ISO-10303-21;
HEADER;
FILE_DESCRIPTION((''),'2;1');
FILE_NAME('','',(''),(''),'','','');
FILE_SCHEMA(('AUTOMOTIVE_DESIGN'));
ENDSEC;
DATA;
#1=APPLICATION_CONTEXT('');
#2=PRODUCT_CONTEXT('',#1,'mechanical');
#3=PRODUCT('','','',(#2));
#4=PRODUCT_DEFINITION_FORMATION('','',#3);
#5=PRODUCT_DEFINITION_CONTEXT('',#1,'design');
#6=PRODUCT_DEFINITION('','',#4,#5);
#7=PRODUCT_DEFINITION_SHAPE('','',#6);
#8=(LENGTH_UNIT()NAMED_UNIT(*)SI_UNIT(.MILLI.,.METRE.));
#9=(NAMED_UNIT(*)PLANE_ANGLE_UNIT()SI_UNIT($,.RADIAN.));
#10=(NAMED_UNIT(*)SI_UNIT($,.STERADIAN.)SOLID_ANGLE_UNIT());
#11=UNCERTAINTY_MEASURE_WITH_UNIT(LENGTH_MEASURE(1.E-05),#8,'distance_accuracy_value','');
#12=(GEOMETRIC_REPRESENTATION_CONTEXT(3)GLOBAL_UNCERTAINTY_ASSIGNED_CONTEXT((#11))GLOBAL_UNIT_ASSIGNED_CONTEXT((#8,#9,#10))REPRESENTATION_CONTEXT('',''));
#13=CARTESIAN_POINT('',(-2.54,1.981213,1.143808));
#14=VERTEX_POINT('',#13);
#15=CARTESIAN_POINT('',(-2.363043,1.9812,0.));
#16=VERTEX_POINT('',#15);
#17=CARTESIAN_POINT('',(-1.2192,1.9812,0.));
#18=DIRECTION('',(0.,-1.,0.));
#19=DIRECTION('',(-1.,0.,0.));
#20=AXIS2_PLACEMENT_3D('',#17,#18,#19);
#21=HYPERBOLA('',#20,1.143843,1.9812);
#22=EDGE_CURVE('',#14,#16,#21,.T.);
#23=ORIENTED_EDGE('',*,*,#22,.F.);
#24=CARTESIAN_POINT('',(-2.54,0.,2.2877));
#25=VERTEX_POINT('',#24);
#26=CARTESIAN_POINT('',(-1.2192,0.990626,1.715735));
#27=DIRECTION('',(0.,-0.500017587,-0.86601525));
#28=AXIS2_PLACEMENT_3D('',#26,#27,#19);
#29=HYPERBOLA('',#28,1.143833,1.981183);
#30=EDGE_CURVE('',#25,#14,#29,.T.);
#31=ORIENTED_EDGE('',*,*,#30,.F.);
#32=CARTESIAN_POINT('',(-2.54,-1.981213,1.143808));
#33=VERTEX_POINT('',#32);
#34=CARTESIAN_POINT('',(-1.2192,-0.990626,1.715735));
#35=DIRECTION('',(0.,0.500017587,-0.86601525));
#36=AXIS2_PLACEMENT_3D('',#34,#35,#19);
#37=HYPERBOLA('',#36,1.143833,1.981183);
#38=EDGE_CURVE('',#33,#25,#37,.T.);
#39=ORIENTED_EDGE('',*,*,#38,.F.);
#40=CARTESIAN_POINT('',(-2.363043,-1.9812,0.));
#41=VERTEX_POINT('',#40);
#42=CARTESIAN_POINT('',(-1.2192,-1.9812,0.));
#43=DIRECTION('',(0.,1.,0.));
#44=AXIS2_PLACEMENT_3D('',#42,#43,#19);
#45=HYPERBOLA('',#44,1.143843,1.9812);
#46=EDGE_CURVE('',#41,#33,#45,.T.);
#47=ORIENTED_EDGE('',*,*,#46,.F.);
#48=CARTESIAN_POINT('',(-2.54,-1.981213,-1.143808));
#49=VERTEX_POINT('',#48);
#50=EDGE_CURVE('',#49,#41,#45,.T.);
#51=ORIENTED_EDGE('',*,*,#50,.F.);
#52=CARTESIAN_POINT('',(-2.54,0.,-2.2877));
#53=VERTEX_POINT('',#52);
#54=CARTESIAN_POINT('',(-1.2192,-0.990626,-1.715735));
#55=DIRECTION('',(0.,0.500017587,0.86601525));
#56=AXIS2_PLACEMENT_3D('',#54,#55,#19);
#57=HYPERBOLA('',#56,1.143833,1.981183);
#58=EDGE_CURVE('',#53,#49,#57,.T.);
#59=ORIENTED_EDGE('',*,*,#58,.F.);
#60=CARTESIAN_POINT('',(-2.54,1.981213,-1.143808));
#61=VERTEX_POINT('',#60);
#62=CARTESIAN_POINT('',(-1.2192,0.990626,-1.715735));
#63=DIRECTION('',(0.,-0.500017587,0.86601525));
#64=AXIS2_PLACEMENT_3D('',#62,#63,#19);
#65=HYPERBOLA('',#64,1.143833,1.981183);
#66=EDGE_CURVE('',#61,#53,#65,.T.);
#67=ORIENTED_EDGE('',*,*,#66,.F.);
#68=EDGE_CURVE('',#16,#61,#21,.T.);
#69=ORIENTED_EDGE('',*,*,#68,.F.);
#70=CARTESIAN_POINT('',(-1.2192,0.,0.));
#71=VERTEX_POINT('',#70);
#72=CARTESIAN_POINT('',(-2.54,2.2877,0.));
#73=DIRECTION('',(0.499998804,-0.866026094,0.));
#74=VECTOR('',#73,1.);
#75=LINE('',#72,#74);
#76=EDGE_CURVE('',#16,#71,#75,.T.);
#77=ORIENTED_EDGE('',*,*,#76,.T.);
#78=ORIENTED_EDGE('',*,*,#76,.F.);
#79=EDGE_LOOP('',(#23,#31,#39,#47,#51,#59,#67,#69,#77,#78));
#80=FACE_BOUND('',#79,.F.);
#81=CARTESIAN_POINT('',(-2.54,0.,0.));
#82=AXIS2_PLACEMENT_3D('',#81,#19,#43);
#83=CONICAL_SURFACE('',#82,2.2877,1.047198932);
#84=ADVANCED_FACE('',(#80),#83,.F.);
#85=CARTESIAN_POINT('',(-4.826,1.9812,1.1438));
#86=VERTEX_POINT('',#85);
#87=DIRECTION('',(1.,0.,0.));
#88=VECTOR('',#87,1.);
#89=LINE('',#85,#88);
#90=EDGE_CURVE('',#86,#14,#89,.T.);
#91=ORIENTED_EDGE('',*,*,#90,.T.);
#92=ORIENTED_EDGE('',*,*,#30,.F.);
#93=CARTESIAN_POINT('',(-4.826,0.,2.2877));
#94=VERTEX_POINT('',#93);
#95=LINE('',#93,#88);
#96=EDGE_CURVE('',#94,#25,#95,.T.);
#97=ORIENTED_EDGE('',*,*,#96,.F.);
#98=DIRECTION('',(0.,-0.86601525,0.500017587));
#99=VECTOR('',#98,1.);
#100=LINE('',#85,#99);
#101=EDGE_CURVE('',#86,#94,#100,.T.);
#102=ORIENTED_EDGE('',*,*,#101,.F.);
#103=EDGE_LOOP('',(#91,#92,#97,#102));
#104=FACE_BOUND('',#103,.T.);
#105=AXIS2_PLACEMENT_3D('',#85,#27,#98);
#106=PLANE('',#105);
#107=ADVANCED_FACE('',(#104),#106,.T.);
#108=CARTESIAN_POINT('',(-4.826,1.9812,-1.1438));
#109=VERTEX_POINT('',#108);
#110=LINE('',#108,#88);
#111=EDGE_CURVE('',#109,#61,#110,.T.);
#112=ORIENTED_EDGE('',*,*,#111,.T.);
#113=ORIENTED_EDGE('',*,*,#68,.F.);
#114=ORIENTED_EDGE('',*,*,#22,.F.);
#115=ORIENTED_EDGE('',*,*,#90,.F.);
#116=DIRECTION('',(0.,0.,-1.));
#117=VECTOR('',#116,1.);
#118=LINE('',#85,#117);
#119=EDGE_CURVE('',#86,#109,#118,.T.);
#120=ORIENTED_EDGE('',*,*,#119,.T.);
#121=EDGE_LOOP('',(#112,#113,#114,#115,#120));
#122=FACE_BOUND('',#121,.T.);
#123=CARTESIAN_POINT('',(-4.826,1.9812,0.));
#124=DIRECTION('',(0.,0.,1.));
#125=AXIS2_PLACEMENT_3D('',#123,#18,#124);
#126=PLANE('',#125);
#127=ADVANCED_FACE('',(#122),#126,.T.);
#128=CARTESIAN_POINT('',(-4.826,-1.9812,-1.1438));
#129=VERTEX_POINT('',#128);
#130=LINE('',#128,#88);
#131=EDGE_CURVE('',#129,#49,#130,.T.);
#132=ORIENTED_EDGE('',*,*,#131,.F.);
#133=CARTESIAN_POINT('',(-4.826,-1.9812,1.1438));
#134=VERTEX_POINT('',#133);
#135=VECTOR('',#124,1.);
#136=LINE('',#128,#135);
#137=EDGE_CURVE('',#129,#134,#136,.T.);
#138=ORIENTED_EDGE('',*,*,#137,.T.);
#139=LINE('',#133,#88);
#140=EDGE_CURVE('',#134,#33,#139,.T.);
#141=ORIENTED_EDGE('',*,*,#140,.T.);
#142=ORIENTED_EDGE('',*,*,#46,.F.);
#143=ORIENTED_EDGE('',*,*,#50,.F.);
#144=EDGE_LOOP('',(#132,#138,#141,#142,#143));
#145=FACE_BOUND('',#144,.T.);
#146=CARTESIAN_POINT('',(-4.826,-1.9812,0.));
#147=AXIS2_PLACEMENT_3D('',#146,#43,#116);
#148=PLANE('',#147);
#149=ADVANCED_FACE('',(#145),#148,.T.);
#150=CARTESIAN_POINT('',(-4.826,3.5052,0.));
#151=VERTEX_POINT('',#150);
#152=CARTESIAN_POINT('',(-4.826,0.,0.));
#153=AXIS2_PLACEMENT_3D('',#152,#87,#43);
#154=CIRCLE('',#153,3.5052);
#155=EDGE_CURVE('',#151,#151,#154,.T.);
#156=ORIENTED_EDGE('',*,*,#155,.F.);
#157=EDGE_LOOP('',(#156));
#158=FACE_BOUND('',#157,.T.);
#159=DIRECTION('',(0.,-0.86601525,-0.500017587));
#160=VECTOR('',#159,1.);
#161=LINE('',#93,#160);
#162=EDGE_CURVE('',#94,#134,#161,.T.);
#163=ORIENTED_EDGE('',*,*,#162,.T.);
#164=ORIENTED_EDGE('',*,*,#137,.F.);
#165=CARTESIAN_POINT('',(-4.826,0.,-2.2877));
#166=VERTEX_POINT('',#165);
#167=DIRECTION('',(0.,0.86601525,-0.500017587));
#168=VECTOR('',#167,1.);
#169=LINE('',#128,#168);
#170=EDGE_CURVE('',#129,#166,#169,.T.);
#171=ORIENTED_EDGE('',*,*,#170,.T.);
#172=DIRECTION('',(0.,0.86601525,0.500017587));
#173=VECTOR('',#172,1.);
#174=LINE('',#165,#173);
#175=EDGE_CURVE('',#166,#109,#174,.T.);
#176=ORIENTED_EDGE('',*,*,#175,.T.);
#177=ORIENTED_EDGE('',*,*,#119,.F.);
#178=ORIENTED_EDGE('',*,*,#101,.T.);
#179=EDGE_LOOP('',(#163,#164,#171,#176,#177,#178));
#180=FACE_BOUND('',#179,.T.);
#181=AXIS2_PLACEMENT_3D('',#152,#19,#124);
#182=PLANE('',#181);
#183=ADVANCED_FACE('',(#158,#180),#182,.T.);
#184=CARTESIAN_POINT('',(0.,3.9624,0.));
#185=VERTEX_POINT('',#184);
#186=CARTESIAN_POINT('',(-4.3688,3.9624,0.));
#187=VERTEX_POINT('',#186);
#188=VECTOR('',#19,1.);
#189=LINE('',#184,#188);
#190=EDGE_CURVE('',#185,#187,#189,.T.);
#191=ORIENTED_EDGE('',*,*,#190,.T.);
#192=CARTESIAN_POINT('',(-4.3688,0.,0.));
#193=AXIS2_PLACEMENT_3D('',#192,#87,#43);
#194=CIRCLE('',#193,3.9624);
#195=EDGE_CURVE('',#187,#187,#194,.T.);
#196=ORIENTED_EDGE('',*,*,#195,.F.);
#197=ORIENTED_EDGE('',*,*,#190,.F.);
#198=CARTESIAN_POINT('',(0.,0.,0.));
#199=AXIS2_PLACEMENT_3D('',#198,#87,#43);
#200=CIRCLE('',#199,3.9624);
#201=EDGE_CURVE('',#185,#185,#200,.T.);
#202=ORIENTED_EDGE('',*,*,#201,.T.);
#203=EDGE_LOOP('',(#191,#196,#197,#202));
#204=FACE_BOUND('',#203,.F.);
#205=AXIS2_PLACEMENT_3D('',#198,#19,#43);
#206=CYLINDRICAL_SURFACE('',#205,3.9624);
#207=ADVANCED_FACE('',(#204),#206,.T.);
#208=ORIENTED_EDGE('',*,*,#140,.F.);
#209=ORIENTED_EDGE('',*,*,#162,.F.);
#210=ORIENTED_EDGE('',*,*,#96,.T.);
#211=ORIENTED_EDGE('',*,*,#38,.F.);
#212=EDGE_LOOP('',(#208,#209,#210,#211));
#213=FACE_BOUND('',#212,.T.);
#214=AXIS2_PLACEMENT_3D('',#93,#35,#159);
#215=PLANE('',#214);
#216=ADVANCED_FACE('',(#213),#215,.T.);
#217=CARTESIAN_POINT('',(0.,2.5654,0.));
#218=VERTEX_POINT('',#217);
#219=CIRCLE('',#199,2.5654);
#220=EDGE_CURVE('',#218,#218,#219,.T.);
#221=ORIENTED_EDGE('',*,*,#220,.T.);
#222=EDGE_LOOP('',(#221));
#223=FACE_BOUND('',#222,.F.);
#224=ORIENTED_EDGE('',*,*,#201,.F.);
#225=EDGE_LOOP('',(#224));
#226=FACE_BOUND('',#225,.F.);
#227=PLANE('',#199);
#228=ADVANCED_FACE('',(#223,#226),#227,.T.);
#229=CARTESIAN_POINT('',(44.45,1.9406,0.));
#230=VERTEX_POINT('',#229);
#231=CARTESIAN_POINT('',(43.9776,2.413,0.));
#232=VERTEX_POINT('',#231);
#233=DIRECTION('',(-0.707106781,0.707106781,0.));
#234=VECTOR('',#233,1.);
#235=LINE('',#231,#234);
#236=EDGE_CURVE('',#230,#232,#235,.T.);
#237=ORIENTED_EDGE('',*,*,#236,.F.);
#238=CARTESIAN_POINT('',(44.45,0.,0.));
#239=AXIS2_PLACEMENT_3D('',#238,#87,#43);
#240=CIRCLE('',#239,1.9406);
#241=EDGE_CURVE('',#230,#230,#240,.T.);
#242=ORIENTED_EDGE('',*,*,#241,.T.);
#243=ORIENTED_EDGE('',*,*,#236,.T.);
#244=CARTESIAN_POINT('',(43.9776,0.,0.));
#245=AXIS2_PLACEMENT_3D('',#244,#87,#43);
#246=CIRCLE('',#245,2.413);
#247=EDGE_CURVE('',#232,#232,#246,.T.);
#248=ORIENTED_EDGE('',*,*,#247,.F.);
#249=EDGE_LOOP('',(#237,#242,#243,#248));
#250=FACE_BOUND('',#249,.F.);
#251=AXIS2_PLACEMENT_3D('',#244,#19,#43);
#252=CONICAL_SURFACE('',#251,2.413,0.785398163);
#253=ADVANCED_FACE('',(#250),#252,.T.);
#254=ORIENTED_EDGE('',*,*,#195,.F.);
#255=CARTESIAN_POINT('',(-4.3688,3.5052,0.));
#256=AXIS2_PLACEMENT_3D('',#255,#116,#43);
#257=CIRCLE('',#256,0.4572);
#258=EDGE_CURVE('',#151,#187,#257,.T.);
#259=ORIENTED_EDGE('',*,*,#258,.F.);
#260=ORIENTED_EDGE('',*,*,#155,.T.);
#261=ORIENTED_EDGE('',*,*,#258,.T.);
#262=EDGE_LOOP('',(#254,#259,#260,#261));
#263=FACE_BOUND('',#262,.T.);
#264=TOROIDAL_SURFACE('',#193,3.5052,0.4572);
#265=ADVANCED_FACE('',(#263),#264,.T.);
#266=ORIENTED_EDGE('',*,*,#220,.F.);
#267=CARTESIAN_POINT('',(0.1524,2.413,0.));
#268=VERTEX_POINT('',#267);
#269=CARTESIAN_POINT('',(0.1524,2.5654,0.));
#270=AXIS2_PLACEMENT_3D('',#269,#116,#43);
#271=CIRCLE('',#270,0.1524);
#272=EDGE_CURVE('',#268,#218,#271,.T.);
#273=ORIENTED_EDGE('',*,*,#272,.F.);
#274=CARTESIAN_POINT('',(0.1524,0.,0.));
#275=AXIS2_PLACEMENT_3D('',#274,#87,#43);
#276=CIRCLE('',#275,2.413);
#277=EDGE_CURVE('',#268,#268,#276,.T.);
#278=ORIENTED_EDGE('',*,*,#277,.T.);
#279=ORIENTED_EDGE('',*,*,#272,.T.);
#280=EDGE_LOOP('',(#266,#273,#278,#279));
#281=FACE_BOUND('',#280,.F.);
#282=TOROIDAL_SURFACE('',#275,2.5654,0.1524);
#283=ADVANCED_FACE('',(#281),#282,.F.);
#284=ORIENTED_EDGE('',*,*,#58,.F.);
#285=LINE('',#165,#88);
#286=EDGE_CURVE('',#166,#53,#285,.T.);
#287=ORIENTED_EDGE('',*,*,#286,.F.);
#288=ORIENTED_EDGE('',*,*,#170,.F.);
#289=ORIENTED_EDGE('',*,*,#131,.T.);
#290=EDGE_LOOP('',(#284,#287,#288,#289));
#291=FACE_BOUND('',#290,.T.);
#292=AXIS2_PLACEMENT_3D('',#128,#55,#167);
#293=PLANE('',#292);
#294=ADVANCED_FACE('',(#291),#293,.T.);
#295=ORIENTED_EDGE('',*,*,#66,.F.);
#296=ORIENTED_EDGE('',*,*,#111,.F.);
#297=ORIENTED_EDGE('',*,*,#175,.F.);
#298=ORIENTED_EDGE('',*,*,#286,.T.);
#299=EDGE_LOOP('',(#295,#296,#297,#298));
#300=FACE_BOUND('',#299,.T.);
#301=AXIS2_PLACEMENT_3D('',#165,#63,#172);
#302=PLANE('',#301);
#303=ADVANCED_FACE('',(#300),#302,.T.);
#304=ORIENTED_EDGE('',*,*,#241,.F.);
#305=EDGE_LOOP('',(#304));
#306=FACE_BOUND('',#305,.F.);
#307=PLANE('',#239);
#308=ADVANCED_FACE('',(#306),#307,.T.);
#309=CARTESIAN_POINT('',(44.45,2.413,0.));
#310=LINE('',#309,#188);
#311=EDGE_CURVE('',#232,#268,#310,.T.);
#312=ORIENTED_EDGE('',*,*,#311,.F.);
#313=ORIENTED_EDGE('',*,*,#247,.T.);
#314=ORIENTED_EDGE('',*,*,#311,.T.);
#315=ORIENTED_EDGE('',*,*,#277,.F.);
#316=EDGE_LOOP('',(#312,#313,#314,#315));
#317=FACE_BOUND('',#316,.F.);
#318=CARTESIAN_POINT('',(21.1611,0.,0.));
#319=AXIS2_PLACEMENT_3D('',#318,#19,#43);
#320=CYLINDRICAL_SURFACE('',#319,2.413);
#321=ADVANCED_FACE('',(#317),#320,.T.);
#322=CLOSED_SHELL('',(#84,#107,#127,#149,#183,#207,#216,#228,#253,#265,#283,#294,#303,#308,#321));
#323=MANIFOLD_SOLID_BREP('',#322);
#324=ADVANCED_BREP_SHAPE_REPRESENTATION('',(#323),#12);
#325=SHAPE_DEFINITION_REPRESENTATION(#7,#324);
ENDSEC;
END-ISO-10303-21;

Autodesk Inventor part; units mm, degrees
ref_plane "YZ Plane" through (0, 0, 0) normal (1, 0, 0) x (0, 1, 0)
ref_plane "XZ Plane" through (0, 0, 0) normal (0, 1, 0) x (-1, 0, 0)
sketch "Sketch1" plane through (0, 0, 0) normal (0, 0, 1) x (1, 0, 0)
  line L0 (-1.2192, 0) -> (44.45, 0)
  line L1 (44.45, 0) -> (44.45, 2.413)
  line L2 (44.45, 2.413) -> (22.352, 2.413)
  line L3 (22.352, 2.413) -> (21.1611, 2.413)
  line L4 (21.1611, 2.413) -> (0, 2.413)
  line L5 (0, 2.413) -> (0, 3.9624)
  line L6 (0, 3.9624) -> (-4.826, 3.9624)
  line L7 (-4.826, 3.9624) -> (-4.826, 2.2877)
  line L8 (-4.826, 2.2877) -> (-2.54, 2.2877)
  line L9 (-2.54, 2.2877) -> (-1.2192, 0)
  line L10 (-14.6812, 0) -> (54.3052, 0) projected
  line L11 (0, -0.7925) -> (0, 4.7549) projected
  line L12 (22.352, 2.413) -> (0, 2.413) construction
  dimension "d1" = 22.098
  dimension "d2" = 1.1908
  dimension "d3" = 4.826
  dimension "d4" = 2.286
  dimension "d5" = 60
  dimension "d6" = 4.826
  dimension "d7" = 4.826
  dimension "d8" = 4.5754
  dimension "d9" = 7.9248
  dimension "d26" = 44.45
revolve "Body" add sketch "Sketch1" angle 360 about axis through (-1.2192, 0, 0) along (1, 0, 0)
sketch "Sketch2" plane through (-4.826, 0, 0) normal (-1, 0, 0) x (0, 0, 1)
  circle A0 centre (0, 0) radius 2.2877 projected
  line L0 (0, -5.5474) -> (0, 5.5474) projected
  line L1 (-5.5474, 0) -> (5.5474, 0) projected
  line L2 (2.2877, 0) -> (1.1438, -1.9812)
  line L3 (1.1438, -1.9812) -> (-1.1438, -1.9812)
  line L4 (-1.1438, -1.9812) -> (-2.2877, 0)
  line L5 (-2.2877, 0) -> (-1.1438, 1.9812)
  line L6 (-1.1438, 1.9812) -> (1.1438, 1.9812)
  line L7 (1.1438, 1.9812) -> (2.2877, 0)
extrude "Slot" add sketch "Sketch2" against normal up to next contours L7 A0 | A0 L2 | L6 L0 A0 | A0 L0 L3 | L0 L6 A0 | A0 L3 L0 | L4 A0 | A0 L5
fillet "Fillet1" radius 0.4572 1 edges at (-4.826, -3.9624, 0)
thread "Thread" size "10-32 UNF" class "2A" standard "ANSI Unified Screw Threads" length 22.098
chamfer "Chamfer1" distance 0.4724 distance2 0.4724 1 edges at (44.45, -2.413, 0) measured on face at (44.45, 0.781, 0.8743)
ref_plane "Work Plane1" through (29, 0, 0) normal (0, -1, 0) x (1, 0, 0)
fillet "Fillet2" radius 0.1524 1 edges at (0, -2.413, 0)
equation "\"d1\" = GEL"
equation "\"d3\" = KOH"
equation "\"d4\" = INTI"
equation "\"d6\" = GD"
equation "\"d7\" = BDM"
equation "\"d8\" = 1.1547 * SW"
equation "\"d9\" = KOD"
equation "\"d26\" = NLG"
equation "\"d30\" = R"
equation "\"d17\" = RR"
equation "\"d13\" = GEL"
equation "\"d15\" = -0.5 * SPD + 0.5 * GD"
equation "\"d16\" = GUL"
equation "\"GD\" = 4.826"
equation "\"NLG\" = 44.45"
equation "\"GEL\" = 22.098"
equation "\"KOD\" = 7.9248"
equation "\"KOH\" = 4.826"
equation "\"INTI\" = 2.286"
equation "\"GAL\" = 1.19075"
equation "\"GUL\" = 0.47244"
equation "\"BDM\" = 4.826"
equation "\"SW\" = 3.9624"
equation "\"RR\" = 0.4572"
equation "\"SPD\" = 3.88112"
equation "\"R\" = 0.1524"
equation "\"PHH\" = 0.127"
equation "\"GD1\" = SPD"
equation "\"THREADDIA\" = 4.826"
equation "\"FAWI\" = 45deg"
equation "\"KOH1\" = 4.3434"
equation "\"NND\" = 4.826"
equation "\"TOA\" = 30deg"
equation "\"E0\" = 1.155 * SW"
properties part number "ANSI B18.3 - 10-32 UNF - 1.75 HS HCS" material "Steel, Mild"
